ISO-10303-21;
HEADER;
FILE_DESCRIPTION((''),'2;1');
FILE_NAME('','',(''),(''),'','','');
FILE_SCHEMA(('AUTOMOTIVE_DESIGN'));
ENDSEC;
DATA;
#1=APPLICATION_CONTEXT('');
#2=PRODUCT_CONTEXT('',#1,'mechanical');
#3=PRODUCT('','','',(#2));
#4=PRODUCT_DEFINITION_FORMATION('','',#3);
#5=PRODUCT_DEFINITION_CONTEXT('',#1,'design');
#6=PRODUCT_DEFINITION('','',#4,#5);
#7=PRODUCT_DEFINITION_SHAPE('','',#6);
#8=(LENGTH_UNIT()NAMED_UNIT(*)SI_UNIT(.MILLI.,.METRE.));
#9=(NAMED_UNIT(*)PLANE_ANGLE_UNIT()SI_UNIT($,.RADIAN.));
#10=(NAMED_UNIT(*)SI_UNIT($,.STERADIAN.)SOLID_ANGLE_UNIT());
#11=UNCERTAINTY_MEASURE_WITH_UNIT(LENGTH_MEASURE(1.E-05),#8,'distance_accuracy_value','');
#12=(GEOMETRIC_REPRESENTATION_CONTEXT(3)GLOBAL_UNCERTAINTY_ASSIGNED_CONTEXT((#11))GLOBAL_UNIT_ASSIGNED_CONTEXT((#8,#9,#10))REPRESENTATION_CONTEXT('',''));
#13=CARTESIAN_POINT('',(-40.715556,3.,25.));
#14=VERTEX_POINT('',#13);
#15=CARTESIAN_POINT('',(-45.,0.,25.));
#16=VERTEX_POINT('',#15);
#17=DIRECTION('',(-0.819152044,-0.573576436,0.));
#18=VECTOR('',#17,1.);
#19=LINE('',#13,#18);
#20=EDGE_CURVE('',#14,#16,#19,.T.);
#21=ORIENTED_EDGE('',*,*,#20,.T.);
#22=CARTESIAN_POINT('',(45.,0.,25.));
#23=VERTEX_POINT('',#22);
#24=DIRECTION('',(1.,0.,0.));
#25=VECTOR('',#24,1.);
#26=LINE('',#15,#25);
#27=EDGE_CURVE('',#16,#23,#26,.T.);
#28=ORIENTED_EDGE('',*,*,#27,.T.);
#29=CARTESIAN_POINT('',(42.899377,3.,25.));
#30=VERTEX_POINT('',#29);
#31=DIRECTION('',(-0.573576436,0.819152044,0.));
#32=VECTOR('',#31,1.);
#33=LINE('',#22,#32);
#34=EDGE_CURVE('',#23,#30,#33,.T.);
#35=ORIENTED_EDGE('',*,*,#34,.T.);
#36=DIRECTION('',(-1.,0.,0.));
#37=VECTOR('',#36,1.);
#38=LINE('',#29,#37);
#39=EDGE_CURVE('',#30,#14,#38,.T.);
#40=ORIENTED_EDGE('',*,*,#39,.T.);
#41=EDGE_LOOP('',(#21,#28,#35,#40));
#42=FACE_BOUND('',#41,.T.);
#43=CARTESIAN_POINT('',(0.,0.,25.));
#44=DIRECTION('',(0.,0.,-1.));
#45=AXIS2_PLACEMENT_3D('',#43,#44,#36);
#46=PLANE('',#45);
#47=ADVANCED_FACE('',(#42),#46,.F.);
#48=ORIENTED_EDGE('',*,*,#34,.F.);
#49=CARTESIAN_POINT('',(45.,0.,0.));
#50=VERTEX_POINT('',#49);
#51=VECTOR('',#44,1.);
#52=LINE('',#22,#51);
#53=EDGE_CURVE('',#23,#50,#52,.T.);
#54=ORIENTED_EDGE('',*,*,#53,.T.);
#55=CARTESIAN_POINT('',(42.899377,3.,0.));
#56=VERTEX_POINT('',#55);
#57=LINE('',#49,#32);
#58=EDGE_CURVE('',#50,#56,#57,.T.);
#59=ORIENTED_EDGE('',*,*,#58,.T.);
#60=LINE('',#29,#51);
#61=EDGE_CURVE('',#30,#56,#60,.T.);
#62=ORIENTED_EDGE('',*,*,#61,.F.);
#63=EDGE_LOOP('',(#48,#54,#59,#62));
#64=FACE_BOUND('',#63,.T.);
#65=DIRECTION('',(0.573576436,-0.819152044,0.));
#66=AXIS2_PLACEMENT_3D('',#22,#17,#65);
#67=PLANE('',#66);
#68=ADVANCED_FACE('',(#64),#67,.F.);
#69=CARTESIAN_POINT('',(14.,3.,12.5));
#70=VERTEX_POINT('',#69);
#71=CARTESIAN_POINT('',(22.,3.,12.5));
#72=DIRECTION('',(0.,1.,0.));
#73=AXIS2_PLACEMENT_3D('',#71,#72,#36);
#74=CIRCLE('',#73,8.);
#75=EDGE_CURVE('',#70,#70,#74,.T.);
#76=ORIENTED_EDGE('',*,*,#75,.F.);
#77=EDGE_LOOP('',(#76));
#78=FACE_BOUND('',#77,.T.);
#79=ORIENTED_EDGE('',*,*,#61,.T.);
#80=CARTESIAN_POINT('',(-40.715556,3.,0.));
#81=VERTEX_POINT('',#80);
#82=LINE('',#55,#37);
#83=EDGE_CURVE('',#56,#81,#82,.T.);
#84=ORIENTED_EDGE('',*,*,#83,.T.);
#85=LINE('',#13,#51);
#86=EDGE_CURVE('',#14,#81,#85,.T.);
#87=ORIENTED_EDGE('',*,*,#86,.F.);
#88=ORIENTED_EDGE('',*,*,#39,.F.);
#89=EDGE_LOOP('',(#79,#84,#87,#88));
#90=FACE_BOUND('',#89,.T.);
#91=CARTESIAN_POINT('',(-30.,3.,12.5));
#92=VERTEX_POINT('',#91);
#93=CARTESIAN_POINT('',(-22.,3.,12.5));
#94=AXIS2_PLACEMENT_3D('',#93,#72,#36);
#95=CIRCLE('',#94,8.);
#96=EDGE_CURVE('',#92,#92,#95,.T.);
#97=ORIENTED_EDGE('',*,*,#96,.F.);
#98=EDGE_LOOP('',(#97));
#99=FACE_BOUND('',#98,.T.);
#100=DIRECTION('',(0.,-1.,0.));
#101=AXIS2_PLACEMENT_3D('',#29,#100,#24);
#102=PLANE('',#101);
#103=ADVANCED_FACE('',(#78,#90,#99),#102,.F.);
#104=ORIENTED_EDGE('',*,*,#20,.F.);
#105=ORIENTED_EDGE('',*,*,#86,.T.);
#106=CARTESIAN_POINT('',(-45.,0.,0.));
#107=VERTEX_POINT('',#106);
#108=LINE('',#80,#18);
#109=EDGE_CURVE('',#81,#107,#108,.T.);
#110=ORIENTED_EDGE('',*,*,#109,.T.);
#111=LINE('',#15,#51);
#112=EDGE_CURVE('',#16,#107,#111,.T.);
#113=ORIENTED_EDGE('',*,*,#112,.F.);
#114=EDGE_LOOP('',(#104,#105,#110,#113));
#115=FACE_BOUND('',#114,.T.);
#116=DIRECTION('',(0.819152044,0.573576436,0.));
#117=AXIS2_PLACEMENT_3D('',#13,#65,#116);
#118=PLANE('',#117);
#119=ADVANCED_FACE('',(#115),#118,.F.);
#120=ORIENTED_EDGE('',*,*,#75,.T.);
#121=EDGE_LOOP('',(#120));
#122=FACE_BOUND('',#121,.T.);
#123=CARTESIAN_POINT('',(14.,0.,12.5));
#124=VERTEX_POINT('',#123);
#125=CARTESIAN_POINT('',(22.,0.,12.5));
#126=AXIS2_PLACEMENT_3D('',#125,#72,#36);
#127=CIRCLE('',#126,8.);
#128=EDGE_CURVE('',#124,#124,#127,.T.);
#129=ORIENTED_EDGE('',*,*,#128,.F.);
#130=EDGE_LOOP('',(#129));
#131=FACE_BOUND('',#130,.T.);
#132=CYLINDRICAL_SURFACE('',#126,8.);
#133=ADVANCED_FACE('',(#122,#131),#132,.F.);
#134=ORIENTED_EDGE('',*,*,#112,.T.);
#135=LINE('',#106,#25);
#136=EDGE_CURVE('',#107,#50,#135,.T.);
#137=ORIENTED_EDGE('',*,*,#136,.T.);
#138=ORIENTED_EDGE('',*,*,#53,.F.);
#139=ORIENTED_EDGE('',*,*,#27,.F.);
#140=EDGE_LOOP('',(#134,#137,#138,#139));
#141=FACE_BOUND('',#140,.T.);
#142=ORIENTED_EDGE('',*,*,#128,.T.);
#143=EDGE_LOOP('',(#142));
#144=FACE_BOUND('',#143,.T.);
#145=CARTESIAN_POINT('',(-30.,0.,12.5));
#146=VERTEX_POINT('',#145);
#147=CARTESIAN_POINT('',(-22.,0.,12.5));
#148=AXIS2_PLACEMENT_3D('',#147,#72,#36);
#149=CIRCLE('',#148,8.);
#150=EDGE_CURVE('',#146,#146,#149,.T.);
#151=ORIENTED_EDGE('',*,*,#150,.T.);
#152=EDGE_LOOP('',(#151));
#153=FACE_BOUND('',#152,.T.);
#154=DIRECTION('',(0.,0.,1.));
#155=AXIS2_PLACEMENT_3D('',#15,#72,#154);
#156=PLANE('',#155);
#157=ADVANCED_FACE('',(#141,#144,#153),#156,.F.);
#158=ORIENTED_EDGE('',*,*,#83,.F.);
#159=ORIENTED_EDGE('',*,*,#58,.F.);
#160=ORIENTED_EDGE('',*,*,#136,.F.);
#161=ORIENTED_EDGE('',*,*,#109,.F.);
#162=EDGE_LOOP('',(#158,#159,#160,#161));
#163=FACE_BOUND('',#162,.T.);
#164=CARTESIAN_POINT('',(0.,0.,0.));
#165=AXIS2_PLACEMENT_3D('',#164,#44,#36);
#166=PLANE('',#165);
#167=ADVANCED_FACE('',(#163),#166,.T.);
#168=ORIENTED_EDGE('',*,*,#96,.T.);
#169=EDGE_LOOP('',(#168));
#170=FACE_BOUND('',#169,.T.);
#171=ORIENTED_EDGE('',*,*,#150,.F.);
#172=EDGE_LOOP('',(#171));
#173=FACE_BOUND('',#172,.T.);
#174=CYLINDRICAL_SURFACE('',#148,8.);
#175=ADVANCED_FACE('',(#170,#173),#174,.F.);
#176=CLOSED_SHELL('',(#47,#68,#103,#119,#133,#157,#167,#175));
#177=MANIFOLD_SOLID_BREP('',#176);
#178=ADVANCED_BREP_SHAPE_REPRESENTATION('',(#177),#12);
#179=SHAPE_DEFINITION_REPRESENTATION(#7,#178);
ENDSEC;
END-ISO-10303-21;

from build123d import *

# Parameters (mm, degrees)
EXTRUDE_1_DEPTH     = 25
SKETCH_3_R          = 8
CUT_EXTRUDE_2_DEPTH = 52.565492337


with BuildPart() as part:
    # Эскиз2 → Бобышка-Вытянуть1 (new body)
    with BuildSketch(Plane.XY):
        Polygon((-45, 0), (45, 0), (42.899377385, 3), (-40.71555598, 3), align=None)
    extrude(amount=EXTRUDE_1_DEPTH)

    # Эскиз3 → Вырез-Вытянуть2 (cut, through all)
    with BuildSketch(Plane(origin=(0, 3, 0), x_dir=(1, 0, 0), z_dir=(0, 1, 0))):
        with Locations(Location((-22, -12.5, 0), (0, 0, 180))):
            Circle(SKETCH_3_R)
        with Locations(Location((22, -12.5, 0), (0, 0, 180))):
            Circle(SKETCH_3_R)
    extrude(amount=-CUT_EXTRUDE_2_DEPTH, mode=Mode.SUBTRACT)


solid = part.part
